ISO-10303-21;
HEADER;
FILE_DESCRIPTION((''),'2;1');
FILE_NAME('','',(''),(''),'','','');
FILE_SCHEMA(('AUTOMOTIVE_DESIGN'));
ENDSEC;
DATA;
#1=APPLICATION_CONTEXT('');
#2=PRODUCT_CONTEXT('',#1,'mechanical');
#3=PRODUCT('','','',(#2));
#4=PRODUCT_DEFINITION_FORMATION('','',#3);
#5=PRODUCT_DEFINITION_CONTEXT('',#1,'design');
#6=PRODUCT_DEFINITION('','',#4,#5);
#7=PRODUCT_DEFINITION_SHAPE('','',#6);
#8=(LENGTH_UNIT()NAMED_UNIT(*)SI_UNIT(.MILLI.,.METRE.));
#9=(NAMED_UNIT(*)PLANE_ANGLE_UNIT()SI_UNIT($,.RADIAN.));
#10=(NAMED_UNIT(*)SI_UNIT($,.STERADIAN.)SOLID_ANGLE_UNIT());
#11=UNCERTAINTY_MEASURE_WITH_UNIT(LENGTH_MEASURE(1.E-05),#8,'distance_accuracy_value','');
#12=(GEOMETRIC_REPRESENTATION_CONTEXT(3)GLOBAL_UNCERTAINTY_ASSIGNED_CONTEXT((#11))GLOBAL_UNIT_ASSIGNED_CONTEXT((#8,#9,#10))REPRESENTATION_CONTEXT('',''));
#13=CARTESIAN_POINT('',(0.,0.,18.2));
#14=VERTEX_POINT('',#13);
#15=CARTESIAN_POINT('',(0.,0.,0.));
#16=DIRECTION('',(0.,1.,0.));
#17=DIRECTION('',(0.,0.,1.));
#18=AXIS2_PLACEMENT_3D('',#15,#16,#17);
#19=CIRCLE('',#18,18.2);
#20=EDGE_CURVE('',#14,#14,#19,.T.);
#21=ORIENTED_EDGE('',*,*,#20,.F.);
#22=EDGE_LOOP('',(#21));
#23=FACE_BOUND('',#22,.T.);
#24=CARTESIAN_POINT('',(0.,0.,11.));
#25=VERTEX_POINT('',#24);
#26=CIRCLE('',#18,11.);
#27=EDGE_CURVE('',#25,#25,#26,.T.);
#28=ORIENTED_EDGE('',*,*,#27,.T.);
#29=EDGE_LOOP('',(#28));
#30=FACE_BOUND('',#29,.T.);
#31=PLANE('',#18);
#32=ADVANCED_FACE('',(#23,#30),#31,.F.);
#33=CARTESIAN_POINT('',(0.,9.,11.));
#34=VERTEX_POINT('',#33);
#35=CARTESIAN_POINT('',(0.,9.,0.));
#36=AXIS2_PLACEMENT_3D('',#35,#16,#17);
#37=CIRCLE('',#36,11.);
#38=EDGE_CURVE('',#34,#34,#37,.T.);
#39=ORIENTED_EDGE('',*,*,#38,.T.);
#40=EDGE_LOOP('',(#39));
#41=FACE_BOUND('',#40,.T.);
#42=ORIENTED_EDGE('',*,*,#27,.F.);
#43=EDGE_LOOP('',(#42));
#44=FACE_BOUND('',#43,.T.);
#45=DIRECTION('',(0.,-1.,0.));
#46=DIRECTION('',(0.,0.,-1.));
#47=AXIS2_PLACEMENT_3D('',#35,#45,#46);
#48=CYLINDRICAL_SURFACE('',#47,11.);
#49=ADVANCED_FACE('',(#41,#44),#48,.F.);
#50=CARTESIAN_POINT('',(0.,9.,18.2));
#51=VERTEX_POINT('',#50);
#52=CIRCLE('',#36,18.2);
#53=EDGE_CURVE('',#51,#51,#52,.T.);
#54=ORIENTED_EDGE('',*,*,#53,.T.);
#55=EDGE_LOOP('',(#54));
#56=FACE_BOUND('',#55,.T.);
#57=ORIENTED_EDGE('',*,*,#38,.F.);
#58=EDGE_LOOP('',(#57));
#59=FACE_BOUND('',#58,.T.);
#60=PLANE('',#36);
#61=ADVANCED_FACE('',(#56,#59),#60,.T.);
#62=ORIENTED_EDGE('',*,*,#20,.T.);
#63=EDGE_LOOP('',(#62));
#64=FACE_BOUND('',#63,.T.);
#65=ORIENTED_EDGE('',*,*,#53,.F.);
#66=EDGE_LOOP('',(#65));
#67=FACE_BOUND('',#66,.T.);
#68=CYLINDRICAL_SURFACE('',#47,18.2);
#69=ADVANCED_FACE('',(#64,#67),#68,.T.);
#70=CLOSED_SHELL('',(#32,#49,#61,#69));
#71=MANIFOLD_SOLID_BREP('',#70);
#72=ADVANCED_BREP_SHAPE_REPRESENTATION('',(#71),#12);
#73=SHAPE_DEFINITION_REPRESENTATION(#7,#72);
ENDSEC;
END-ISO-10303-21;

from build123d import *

# Parameters (mm, degrees)
SKETCH_1_R      = 18.2
SKETCH_1_R_2    = 11
EXTRUDE_1_DEPTH = 9


with BuildPart() as part:
    # Эскиз1 → Вытянуть1 (new body)
    with BuildSketch(Plane(origin=(0, 0, 0), x_dir=(1, 0, 0), z_dir=(0, 1, 0))):
        with Locations(Location((0, 0, 0), (0, 0, 270))):
            Circle(SKETCH_1_R)
        with Locations(Location((0, 0, 0), (0, 0, 270))):
            Circle(SKETCH_1_R_2, mode=Mode.SUBTRACT)
    extrude(amount=EXTRUDE_1_DEPTH)


solid = part.part
